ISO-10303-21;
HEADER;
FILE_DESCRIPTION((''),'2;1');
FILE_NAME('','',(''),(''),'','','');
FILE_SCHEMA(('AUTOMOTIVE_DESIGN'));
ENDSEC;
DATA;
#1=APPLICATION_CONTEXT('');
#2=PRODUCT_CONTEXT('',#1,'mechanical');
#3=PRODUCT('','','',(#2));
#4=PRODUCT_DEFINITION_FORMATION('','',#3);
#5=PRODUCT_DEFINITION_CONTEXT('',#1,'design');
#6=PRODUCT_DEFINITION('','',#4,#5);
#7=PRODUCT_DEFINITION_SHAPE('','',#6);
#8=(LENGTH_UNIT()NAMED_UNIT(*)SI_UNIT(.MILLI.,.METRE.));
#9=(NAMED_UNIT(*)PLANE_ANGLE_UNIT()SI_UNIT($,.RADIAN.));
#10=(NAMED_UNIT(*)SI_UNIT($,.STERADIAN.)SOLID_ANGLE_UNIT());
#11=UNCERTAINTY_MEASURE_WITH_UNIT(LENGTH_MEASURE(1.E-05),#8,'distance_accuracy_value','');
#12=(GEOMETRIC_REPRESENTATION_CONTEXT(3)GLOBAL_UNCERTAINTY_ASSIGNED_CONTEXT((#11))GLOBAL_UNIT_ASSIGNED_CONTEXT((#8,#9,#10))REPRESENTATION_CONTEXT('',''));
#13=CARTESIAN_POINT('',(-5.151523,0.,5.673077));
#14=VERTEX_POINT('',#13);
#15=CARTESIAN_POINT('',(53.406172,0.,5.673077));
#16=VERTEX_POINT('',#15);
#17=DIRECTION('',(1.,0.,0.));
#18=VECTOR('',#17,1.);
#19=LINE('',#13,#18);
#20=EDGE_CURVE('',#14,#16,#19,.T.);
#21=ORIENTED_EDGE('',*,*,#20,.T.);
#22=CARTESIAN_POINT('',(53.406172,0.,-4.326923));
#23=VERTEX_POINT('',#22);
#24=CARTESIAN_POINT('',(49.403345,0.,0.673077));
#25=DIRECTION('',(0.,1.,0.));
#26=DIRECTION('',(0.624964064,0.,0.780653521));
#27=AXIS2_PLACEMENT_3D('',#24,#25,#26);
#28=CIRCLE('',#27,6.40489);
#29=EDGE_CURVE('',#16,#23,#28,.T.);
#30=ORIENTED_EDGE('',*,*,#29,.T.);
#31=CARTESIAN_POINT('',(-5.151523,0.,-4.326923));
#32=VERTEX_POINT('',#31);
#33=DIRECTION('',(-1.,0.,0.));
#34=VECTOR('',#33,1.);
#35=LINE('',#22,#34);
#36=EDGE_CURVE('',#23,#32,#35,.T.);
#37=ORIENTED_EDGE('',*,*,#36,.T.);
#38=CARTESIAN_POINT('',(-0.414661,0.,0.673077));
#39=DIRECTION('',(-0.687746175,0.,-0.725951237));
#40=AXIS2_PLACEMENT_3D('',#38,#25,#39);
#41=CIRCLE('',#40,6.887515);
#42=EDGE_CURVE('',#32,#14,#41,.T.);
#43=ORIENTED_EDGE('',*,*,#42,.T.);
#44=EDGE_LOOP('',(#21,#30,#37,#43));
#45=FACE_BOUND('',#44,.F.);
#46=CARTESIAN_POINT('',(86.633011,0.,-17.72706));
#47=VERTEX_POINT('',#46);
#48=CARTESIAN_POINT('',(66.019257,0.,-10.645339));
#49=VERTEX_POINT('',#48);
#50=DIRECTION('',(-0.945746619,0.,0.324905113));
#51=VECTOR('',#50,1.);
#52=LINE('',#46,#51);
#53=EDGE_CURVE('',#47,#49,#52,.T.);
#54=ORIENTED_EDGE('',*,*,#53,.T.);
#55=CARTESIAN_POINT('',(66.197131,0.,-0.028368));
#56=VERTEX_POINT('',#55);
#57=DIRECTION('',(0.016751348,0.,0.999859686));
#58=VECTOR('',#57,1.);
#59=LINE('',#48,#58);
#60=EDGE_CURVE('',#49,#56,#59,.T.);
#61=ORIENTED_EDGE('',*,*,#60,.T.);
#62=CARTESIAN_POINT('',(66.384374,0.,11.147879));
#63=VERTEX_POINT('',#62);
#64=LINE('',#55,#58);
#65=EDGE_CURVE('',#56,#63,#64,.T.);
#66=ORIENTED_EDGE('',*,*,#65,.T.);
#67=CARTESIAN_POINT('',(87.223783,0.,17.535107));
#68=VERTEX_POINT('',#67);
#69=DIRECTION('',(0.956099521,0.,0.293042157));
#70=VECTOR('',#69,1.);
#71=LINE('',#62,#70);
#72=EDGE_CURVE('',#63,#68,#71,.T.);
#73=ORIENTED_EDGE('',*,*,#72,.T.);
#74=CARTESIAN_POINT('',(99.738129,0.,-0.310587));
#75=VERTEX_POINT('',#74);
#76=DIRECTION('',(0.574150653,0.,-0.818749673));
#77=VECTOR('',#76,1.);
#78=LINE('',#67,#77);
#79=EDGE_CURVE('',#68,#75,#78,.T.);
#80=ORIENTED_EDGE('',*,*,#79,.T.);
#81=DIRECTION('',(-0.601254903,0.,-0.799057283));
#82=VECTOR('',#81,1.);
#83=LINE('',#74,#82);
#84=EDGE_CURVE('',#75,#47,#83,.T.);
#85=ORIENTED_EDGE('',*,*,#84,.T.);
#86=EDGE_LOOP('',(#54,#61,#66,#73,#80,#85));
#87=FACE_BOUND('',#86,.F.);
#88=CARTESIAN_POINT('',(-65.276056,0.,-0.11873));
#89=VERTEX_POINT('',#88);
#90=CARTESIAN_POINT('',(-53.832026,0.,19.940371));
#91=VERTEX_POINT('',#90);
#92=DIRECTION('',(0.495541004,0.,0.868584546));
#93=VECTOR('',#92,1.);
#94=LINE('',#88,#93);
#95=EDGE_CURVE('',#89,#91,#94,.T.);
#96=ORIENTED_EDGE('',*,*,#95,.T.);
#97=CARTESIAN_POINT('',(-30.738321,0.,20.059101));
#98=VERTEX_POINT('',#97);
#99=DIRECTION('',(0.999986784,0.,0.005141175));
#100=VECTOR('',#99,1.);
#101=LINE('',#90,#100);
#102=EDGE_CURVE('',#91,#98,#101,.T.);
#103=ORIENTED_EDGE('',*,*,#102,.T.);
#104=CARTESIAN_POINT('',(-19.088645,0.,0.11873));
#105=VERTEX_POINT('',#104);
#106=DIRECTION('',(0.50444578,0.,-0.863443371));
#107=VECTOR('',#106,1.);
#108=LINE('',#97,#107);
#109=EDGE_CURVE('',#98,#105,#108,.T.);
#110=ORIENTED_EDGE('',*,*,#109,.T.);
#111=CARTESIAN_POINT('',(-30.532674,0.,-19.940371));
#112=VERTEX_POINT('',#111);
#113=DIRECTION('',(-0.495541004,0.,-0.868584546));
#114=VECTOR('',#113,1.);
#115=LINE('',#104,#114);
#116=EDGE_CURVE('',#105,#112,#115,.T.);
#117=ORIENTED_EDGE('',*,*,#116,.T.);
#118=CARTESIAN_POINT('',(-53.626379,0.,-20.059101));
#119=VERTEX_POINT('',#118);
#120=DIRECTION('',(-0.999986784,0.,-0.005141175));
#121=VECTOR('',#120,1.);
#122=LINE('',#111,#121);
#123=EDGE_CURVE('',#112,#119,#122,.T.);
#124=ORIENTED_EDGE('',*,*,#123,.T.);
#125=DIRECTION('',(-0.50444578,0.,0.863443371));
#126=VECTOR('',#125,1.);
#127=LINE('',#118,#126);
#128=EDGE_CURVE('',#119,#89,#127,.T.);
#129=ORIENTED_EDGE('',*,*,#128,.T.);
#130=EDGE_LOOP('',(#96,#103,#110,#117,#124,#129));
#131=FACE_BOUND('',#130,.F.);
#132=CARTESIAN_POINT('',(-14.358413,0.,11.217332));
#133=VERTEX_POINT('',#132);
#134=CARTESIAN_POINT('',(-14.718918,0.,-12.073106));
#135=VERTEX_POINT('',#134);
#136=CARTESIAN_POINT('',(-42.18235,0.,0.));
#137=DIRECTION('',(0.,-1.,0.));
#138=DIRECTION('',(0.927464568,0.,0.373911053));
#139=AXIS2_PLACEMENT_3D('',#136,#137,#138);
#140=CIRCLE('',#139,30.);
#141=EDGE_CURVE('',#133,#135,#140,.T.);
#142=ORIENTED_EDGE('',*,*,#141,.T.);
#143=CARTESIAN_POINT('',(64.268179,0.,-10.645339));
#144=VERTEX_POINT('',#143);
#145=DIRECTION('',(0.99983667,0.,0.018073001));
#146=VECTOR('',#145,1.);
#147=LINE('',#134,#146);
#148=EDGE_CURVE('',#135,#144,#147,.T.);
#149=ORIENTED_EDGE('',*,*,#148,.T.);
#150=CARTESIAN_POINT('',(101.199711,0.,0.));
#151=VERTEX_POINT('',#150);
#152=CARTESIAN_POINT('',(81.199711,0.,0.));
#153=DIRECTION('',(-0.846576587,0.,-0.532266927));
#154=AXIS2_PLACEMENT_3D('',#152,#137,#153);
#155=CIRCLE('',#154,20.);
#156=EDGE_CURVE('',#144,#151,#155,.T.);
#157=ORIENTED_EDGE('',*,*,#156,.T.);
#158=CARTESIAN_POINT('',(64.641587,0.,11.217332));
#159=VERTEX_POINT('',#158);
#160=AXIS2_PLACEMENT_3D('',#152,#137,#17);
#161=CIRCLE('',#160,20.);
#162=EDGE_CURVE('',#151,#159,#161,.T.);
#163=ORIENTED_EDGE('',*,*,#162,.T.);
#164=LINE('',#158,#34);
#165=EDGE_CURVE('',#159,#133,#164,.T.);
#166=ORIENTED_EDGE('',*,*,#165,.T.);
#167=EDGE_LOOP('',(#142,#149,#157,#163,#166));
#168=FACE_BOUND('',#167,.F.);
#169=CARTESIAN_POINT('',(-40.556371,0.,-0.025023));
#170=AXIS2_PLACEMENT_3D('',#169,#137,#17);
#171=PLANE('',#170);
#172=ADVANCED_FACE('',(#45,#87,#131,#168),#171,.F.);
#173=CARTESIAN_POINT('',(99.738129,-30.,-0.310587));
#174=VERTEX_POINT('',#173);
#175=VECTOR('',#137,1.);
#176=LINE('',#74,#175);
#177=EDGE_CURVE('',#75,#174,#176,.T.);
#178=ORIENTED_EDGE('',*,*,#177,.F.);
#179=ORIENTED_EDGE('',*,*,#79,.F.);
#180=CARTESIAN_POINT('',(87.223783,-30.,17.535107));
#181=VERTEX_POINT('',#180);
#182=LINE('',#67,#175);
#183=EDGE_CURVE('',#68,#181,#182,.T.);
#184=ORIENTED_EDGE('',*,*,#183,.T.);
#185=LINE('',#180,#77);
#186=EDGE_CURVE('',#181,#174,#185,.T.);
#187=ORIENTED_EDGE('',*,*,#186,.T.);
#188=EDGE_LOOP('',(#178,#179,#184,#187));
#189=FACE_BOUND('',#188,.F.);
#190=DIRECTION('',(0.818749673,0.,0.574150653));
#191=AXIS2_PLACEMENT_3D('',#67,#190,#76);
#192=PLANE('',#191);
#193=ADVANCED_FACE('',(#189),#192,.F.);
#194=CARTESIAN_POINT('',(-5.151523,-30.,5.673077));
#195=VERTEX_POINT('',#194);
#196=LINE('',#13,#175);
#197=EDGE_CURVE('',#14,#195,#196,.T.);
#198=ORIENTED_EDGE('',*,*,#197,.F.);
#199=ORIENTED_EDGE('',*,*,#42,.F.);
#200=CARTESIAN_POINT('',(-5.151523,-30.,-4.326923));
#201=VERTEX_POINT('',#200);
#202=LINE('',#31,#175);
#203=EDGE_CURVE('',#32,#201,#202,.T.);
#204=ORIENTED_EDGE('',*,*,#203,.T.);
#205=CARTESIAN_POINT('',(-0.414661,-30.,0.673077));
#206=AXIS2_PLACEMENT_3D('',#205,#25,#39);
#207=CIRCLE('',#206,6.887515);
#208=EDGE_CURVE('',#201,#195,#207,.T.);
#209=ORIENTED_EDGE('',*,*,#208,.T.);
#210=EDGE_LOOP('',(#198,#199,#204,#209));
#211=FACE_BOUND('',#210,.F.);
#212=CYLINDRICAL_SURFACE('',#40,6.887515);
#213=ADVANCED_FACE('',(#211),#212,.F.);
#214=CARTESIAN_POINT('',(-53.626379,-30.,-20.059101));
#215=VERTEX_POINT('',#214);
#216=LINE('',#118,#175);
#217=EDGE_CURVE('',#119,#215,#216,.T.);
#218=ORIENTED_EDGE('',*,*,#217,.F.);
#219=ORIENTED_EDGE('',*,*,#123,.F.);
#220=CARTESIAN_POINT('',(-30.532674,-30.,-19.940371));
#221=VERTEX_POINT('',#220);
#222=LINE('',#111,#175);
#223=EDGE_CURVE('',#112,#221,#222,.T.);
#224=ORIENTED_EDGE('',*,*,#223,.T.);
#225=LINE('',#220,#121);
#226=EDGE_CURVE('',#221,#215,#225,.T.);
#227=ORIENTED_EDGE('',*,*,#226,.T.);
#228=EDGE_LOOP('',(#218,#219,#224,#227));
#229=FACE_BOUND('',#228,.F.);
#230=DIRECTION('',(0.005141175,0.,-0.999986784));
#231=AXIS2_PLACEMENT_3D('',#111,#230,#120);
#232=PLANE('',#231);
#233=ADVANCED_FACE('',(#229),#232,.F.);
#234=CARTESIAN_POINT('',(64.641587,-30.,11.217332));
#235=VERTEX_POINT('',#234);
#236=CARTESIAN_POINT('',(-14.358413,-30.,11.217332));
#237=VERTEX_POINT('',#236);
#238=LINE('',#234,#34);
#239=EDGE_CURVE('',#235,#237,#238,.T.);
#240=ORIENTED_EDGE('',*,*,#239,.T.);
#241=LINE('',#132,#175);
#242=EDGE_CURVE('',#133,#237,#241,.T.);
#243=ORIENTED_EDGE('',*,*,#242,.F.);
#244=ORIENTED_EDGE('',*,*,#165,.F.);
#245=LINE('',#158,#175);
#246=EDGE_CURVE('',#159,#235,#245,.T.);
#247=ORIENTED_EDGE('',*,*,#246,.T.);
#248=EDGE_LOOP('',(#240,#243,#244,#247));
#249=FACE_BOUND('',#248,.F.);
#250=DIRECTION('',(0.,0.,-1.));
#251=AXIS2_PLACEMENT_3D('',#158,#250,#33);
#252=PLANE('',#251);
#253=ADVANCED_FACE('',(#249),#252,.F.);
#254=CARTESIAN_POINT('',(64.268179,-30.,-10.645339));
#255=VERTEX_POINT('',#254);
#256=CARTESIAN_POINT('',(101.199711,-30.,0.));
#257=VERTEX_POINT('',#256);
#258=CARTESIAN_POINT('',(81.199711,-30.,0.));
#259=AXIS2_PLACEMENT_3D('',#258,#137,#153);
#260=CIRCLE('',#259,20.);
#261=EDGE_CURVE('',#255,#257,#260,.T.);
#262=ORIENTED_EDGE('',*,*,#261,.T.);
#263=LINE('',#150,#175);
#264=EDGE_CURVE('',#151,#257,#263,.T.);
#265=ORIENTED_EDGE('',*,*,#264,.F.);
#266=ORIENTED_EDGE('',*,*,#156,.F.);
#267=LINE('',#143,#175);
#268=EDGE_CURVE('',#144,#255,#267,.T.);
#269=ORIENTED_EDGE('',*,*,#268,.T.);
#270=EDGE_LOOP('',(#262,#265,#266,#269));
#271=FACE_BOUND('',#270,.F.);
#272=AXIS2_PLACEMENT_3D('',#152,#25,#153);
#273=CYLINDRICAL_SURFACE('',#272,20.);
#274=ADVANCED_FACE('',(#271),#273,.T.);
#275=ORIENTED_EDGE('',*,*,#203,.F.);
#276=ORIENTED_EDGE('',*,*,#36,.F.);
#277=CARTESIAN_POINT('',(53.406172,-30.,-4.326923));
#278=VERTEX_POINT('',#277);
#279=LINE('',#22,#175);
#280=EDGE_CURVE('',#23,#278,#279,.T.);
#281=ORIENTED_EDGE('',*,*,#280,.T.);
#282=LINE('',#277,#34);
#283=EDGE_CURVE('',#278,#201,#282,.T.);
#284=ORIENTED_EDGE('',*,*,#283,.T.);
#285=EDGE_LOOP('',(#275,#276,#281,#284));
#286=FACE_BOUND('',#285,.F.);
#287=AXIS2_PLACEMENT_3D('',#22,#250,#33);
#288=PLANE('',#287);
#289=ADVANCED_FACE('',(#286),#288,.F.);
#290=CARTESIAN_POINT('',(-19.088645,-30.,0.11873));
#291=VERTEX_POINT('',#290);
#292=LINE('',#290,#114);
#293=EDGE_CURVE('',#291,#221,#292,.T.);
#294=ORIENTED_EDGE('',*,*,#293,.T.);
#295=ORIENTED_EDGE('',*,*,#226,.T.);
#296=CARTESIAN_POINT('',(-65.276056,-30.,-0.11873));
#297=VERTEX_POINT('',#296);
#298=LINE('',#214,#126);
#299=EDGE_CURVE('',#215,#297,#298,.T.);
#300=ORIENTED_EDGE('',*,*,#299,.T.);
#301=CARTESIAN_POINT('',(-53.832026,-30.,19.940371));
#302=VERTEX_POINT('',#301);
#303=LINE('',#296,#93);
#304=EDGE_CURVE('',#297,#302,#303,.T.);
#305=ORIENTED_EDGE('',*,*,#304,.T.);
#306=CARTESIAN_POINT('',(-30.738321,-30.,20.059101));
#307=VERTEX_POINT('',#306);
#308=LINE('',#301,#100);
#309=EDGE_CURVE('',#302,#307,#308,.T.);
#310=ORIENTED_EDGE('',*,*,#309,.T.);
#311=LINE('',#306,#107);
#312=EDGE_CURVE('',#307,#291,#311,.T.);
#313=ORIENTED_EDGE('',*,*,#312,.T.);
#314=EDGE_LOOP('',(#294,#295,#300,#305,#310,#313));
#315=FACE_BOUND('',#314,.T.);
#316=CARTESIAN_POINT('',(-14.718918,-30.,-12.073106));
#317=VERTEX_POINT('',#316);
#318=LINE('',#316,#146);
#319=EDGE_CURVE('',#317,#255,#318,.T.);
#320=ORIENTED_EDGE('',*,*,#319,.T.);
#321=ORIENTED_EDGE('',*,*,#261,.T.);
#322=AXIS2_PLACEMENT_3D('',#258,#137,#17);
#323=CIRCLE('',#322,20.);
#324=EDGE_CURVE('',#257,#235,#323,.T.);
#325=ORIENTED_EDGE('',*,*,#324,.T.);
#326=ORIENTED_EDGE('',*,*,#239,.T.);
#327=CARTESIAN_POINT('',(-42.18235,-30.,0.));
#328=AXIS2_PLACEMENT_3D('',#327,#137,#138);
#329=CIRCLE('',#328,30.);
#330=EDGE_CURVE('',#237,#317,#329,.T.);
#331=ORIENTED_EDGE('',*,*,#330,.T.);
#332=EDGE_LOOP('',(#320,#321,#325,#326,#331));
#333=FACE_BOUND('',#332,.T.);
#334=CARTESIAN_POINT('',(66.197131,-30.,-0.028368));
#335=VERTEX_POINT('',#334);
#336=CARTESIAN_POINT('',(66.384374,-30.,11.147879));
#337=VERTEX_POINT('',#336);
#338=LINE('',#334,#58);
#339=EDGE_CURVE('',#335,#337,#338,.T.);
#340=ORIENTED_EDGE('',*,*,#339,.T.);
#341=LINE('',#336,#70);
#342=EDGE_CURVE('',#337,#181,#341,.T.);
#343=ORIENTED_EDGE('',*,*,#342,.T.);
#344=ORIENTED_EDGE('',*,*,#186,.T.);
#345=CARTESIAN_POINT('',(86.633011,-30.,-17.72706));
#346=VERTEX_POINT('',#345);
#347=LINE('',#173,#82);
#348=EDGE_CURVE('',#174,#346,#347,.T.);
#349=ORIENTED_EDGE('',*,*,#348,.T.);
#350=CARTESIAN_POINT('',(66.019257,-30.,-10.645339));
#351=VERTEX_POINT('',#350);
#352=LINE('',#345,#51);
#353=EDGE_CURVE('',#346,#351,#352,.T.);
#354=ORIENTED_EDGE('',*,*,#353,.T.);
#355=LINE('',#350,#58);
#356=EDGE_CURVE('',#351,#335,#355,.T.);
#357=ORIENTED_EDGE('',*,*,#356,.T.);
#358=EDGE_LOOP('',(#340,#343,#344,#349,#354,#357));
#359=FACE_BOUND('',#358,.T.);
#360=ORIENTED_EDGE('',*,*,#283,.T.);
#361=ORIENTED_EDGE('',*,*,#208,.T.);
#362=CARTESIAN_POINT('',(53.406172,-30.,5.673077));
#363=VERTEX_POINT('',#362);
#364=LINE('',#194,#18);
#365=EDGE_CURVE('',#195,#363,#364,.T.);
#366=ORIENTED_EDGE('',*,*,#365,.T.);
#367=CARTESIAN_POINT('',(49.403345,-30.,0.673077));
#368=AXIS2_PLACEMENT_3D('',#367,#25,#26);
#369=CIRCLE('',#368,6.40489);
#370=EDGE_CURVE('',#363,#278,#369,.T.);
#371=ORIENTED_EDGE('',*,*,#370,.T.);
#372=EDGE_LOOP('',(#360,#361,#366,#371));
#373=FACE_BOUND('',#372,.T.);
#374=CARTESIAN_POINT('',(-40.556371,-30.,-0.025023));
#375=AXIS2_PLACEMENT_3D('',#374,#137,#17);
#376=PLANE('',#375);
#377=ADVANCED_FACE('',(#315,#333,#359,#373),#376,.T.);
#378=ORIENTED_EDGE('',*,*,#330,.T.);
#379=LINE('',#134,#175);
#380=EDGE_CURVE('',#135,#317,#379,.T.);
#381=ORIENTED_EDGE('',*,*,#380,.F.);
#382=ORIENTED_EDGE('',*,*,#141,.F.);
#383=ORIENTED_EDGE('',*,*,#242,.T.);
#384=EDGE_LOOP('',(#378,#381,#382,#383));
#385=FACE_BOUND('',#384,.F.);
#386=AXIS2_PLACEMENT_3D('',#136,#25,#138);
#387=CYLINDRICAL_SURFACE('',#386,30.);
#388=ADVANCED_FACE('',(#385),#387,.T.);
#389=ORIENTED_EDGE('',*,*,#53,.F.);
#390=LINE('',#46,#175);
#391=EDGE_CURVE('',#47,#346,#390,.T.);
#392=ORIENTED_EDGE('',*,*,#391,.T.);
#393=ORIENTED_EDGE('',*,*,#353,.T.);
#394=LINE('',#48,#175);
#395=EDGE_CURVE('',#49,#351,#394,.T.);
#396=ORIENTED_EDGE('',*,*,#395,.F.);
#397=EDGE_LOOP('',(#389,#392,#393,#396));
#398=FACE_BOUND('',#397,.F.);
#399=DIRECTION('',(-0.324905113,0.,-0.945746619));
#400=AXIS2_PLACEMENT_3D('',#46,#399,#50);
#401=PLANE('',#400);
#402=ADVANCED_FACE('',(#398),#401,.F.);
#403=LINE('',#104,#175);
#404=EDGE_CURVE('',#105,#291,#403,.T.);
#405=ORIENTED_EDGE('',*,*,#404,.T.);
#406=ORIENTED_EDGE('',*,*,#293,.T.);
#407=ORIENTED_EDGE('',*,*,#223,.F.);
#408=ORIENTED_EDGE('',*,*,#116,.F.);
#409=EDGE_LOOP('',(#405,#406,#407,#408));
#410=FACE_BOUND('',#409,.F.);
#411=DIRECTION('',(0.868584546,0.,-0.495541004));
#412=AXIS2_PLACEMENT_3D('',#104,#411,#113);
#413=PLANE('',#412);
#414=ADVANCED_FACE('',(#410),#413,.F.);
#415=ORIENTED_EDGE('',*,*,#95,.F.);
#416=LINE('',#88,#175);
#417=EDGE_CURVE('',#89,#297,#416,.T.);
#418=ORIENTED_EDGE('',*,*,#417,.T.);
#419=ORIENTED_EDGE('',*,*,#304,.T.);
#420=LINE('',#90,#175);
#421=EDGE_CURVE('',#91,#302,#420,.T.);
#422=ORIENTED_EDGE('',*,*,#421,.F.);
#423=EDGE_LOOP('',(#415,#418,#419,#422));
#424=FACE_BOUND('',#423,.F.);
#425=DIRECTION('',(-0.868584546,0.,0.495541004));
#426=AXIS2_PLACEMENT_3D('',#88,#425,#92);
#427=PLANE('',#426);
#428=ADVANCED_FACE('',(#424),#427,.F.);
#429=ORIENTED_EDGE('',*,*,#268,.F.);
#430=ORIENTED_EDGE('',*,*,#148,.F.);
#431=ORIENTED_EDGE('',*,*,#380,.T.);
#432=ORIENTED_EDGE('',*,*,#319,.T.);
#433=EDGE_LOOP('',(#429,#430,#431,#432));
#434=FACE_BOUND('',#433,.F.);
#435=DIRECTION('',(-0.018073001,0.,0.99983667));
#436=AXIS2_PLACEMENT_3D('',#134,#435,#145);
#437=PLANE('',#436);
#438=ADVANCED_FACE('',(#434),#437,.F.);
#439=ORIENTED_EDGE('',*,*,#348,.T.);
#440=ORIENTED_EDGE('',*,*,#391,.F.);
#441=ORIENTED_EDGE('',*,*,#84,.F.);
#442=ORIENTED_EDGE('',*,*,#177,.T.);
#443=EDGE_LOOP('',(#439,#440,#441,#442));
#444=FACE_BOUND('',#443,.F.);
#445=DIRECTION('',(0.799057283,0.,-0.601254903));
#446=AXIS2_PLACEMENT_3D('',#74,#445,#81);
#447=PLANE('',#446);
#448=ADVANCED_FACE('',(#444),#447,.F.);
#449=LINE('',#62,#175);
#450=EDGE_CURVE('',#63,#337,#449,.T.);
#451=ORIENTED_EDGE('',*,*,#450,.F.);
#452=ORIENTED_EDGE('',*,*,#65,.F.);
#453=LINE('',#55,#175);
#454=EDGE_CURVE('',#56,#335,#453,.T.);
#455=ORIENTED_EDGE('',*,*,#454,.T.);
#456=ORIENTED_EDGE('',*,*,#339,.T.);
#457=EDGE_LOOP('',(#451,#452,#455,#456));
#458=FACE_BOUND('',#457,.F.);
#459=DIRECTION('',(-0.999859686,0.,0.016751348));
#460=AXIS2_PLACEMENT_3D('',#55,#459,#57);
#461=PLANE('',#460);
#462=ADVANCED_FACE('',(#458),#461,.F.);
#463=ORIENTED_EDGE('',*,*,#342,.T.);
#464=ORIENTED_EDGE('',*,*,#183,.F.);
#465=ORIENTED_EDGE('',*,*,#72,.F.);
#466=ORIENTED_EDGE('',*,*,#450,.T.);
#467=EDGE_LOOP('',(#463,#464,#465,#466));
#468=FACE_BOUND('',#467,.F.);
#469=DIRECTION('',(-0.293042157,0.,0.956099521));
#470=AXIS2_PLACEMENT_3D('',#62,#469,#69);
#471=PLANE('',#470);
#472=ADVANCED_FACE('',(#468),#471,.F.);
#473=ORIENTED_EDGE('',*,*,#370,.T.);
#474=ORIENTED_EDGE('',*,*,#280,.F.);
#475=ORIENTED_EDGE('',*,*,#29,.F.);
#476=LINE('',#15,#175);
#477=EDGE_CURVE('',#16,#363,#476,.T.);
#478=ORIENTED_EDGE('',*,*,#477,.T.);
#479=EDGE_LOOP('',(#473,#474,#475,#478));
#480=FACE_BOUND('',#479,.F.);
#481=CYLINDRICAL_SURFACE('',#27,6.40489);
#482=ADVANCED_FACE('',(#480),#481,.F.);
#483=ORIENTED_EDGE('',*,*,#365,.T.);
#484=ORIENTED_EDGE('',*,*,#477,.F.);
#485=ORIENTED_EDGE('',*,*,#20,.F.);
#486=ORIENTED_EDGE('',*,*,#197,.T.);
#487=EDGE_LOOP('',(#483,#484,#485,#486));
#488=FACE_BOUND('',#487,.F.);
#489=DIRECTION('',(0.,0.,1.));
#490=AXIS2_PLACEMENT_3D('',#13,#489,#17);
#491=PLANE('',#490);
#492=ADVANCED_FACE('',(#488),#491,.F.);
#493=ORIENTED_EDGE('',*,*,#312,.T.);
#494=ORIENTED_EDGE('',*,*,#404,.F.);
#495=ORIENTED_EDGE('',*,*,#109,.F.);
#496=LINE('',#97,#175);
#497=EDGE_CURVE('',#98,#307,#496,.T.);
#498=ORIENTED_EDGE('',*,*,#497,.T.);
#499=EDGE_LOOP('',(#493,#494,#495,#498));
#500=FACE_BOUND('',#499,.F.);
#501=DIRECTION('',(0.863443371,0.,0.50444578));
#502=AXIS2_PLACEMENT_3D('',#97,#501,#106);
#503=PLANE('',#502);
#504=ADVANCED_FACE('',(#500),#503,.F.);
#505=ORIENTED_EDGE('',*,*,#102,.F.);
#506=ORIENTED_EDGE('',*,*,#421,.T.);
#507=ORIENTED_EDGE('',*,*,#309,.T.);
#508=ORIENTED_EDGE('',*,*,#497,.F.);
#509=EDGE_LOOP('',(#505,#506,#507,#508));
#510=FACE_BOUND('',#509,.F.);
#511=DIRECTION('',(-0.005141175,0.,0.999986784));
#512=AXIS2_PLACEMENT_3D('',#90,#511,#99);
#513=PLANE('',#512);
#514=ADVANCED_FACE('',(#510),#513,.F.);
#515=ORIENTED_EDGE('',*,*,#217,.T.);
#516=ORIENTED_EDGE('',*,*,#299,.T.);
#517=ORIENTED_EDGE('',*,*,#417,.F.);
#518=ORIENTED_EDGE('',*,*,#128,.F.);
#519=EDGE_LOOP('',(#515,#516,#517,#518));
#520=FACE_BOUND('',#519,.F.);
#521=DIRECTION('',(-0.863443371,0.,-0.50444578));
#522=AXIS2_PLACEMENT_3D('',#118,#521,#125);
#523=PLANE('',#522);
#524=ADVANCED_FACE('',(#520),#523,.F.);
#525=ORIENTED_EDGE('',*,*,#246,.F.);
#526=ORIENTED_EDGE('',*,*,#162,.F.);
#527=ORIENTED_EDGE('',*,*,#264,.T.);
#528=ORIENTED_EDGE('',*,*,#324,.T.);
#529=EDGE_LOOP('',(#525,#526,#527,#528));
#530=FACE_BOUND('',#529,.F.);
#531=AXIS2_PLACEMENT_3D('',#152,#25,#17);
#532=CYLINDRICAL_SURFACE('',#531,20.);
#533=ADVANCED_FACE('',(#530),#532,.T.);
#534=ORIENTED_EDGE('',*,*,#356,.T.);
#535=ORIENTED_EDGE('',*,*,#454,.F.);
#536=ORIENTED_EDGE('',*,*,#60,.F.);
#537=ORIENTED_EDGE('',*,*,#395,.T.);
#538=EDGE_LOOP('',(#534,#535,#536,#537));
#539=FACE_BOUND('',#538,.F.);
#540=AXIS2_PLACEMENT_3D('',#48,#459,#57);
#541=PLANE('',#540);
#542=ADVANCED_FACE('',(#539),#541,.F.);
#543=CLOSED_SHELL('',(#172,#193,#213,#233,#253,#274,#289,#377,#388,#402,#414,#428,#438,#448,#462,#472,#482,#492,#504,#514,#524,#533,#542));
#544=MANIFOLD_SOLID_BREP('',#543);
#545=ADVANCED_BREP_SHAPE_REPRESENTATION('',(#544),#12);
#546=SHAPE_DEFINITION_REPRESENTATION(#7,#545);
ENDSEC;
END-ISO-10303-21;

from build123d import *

# Parameters (mm, degrees)
F1_DEPTH = 30


with BuildPart() as f1:
    # F0 (on Front) → F1 (new body)
    with BuildSketch(Plane.XZ):
        with BuildLine():
            ThreePointArc((-14.7189177922, -12.0731056636), (-12.8233398948, -6.168347743), (-12.1823502003, 0))
            ThreePointArc((-12.1823502003, 0), (-12.7313900211, 5.7132254045), (-14.3584131685, 11.2173315922))
            ThreePointArc((-14.3584131685, 11.2173315922), (-72.178757015, 0.4643040074), (-14.7189177922, -12.0731056636))
        make_face()
        Polygon((-30.7383209178, 20.0591008551), (-19.0886446415, 0.1187303472), (-30.532673924, -19.9403705079), (-53.6263794829, -20.0591008551), (-65.2760557592, -0.1187303472), (-53.8320264766, 19.9403705079), align=None, mode=Mode.SUBTRACT)
        with BuildLine():
            ThreePointArc((-14.3584131685, 11.2173315922), (-12.7313900211, 5.7132254045), (-12.1823502003, 0))
            ThreePointArc((-12.1823502003, 0), (-12.8233398948, -6.168347743), (-14.7189177922, -12.0731056636))
            Line((-14.7189177922, -12.0731056636), (64.2681791355, -10.6453385498))
            ThreePointArc((64.2681791355, -10.6453385498), (61.2026273995, 0.3415440484), (64.6415868315, 11.2173315922))
            Line((64.6415868315, 11.2173315922), (-14.3584131685, 11.2173315922))
        make_face()
        with BuildLine():
            ThreePointArc((-5.1515232772, -4.3269232847), (-7.3021761652, 0.6730767153), (-5.1515232772, 5.6730767153))
            Line((-5.1515232772, 5.6730767153), (53.4061715007, 5.6730767153))
            ThreePointArc((53.4061715007, 5.6730767153), (55.808235454, 0.6730767153), (53.4061715007, -4.3269232847))
            Line((53.4061715007, -4.3269232847), (-5.1515232772, -4.3269232847))
        make_face(mode=Mode.SUBTRACT)
        with BuildLine():
            ThreePointArc((101.1997108784, 0), (87.0664612166, 19.1201788817), (64.6415868315, 11.2173315922))
            ThreePointArc((64.6415868315, 11.2173315922), (61.2026273995, 0.3415440484), (64.2681791355, -10.6453385498))
            ThreePointArc((64.2681791355, -10.6453385498), (86.7390865265, -19.2175783445), (101.1997108784, 0))
        make_face()
        Polygon((87.223782972, 17.5351066588), (99.7381289824, -0.3105870635), (86.6330112708, -17.7270600205), (66.0192570879, -10.6453385498), (66.1971306066, -0.0283681482), (66.3843740788, 11.147878975), align=None, mode=Mode.SUBTRACT)
    extrude(amount=F1_DEPTH)


solid = f1.part
